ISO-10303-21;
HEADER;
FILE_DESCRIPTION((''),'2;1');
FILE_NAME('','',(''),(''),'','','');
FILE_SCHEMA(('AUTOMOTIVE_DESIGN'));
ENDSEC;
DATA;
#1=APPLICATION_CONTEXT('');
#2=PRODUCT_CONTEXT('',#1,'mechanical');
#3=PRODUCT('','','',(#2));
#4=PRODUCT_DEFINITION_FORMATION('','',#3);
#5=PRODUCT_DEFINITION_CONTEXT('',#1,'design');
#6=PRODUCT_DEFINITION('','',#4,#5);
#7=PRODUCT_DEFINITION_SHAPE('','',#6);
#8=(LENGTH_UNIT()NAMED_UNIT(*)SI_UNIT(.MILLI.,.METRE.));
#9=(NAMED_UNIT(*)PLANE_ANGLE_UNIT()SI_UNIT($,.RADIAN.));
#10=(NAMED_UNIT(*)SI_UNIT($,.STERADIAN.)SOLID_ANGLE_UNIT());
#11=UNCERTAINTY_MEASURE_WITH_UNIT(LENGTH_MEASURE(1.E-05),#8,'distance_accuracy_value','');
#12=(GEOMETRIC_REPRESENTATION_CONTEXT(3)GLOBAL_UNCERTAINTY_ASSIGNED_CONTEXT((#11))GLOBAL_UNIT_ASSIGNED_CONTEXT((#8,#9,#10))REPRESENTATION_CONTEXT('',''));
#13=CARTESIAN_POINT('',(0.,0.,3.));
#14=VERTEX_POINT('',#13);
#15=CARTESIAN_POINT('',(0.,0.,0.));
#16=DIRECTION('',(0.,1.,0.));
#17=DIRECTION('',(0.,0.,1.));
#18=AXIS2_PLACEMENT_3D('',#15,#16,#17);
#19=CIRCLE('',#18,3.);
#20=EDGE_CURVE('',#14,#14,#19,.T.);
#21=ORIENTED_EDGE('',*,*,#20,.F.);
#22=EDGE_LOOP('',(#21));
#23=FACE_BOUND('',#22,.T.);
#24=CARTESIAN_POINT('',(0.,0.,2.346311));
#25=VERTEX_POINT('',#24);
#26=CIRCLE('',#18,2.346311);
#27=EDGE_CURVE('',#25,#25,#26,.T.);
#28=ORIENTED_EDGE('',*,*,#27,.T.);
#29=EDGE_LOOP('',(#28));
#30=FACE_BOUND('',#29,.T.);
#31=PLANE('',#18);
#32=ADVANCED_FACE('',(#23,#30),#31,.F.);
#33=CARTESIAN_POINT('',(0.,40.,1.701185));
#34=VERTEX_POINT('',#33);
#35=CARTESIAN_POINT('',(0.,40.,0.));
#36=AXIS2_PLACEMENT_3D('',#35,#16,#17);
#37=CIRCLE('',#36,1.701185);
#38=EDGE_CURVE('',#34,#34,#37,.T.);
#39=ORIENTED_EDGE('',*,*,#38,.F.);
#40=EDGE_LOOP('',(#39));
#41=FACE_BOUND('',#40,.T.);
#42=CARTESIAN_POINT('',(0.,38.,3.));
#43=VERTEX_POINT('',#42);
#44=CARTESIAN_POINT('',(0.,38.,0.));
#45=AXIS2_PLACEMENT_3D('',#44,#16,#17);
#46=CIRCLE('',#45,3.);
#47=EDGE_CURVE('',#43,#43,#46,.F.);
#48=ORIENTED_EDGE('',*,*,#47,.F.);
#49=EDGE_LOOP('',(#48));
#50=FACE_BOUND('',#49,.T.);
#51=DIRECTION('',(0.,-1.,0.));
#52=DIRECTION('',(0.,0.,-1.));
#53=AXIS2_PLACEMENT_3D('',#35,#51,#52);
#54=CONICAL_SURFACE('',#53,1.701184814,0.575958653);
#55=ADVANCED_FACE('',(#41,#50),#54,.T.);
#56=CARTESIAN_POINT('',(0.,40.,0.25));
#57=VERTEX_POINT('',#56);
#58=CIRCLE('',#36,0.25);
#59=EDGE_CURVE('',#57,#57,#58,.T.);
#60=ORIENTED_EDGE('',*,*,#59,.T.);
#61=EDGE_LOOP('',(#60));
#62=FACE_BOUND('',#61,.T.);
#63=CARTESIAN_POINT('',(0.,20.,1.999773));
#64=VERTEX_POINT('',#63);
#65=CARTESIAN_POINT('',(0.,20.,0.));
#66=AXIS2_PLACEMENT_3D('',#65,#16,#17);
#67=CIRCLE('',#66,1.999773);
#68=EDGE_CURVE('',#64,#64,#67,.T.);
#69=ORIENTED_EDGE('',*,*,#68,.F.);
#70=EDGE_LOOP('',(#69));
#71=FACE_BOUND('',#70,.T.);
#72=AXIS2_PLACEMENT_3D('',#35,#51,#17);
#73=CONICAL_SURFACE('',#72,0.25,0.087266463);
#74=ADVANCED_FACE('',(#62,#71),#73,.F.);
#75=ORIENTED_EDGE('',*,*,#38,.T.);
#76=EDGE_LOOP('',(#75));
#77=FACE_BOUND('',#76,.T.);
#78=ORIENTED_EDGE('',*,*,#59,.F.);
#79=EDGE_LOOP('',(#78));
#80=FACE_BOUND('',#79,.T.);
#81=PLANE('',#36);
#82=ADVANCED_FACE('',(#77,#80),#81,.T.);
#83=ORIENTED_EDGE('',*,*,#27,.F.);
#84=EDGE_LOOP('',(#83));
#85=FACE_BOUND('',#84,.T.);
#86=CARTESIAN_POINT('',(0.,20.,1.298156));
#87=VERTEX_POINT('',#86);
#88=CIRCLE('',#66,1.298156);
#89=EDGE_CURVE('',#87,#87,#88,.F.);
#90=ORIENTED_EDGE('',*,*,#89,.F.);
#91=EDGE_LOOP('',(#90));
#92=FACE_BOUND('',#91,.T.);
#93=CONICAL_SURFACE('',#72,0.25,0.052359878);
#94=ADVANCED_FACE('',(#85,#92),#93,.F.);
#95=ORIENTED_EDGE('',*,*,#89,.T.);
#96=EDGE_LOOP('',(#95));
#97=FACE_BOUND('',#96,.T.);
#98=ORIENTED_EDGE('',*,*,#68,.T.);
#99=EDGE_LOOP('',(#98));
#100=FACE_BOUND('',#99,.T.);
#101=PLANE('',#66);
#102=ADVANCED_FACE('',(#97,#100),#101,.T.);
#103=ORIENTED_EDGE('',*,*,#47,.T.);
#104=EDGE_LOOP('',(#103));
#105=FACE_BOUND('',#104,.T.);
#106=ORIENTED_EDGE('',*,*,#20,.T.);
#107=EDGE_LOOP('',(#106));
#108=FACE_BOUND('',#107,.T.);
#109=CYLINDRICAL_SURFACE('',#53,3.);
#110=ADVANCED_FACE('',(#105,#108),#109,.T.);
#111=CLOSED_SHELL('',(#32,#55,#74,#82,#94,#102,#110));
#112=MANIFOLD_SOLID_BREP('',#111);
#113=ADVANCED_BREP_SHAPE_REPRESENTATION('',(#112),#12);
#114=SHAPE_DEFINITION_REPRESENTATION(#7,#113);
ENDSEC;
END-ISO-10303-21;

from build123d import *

# Parameters (mm, degrees)
SKETCH1_R           = 3
BOSS_EXTRUDE1_DEPTH = 40
SKETCH2_R           = 0.25
CUT_EXTRUDE1_DEPTH  = 41
CUT_EXTRUDE1_TAPER  = -3
SKETCH4_R           = 0.25
CUT_EXTRUDE3_DEPTH  = 20
CUT_EXTRUDE3_TAPER  = -5
CHAMFER2_SIZE       = 2
CHAMFER2_SIZE2      = 1.298815186


with BuildPart() as part:
    # Sketch1 → Boss-Extrude1 (new body)
    with BuildSketch(Plane(origin=(0, 0, 0), x_dir=(1, 0, 0), z_dir=(0, 1, 0))):
        Circle(SKETCH1_R)
    extrude(amount=BOSS_EXTRUDE1_DEPTH)

    # Sketch2 → Cut-Extrude1 (cut, through all)
    with BuildSketch(Plane(origin=(0, 40, 0), x_dir=(1, 0, 0), z_dir=(0, 1, 0))):
        Circle(SKETCH2_R)
    extrude(amount=-CUT_EXTRUDE1_DEPTH, taper=CUT_EXTRUDE1_TAPER, mode=Mode.SUBTRACT)

    # Sketch4 → Cut-Extrude3 (cut)
    with BuildSketch(Plane(origin=(0, 40, 0), x_dir=(1, 0, 0), z_dir=(0, 1, 0))):
        Circle(SKETCH4_R)
    extrude(amount=-CUT_EXTRUDE3_DEPTH, taper=CUT_EXTRUDE3_TAPER, mode=Mode.SUBTRACT)

    # Chamfer2
    chamfer2_edges = [part.edges().sort_by_distance(p)[0] for p in [
        (-3, 40, 0),
    ]]
    chamfer2_side = [part.faces().sort_by_distance(p)[0] for p in [
        (-3, 20, 0),
    ]]
    chamfer(chamfer2_edges, length=CHAMFER2_SIZE, length2=CHAMFER2_SIZE2, reference=chamfer2_side[0])


solid = part.part
